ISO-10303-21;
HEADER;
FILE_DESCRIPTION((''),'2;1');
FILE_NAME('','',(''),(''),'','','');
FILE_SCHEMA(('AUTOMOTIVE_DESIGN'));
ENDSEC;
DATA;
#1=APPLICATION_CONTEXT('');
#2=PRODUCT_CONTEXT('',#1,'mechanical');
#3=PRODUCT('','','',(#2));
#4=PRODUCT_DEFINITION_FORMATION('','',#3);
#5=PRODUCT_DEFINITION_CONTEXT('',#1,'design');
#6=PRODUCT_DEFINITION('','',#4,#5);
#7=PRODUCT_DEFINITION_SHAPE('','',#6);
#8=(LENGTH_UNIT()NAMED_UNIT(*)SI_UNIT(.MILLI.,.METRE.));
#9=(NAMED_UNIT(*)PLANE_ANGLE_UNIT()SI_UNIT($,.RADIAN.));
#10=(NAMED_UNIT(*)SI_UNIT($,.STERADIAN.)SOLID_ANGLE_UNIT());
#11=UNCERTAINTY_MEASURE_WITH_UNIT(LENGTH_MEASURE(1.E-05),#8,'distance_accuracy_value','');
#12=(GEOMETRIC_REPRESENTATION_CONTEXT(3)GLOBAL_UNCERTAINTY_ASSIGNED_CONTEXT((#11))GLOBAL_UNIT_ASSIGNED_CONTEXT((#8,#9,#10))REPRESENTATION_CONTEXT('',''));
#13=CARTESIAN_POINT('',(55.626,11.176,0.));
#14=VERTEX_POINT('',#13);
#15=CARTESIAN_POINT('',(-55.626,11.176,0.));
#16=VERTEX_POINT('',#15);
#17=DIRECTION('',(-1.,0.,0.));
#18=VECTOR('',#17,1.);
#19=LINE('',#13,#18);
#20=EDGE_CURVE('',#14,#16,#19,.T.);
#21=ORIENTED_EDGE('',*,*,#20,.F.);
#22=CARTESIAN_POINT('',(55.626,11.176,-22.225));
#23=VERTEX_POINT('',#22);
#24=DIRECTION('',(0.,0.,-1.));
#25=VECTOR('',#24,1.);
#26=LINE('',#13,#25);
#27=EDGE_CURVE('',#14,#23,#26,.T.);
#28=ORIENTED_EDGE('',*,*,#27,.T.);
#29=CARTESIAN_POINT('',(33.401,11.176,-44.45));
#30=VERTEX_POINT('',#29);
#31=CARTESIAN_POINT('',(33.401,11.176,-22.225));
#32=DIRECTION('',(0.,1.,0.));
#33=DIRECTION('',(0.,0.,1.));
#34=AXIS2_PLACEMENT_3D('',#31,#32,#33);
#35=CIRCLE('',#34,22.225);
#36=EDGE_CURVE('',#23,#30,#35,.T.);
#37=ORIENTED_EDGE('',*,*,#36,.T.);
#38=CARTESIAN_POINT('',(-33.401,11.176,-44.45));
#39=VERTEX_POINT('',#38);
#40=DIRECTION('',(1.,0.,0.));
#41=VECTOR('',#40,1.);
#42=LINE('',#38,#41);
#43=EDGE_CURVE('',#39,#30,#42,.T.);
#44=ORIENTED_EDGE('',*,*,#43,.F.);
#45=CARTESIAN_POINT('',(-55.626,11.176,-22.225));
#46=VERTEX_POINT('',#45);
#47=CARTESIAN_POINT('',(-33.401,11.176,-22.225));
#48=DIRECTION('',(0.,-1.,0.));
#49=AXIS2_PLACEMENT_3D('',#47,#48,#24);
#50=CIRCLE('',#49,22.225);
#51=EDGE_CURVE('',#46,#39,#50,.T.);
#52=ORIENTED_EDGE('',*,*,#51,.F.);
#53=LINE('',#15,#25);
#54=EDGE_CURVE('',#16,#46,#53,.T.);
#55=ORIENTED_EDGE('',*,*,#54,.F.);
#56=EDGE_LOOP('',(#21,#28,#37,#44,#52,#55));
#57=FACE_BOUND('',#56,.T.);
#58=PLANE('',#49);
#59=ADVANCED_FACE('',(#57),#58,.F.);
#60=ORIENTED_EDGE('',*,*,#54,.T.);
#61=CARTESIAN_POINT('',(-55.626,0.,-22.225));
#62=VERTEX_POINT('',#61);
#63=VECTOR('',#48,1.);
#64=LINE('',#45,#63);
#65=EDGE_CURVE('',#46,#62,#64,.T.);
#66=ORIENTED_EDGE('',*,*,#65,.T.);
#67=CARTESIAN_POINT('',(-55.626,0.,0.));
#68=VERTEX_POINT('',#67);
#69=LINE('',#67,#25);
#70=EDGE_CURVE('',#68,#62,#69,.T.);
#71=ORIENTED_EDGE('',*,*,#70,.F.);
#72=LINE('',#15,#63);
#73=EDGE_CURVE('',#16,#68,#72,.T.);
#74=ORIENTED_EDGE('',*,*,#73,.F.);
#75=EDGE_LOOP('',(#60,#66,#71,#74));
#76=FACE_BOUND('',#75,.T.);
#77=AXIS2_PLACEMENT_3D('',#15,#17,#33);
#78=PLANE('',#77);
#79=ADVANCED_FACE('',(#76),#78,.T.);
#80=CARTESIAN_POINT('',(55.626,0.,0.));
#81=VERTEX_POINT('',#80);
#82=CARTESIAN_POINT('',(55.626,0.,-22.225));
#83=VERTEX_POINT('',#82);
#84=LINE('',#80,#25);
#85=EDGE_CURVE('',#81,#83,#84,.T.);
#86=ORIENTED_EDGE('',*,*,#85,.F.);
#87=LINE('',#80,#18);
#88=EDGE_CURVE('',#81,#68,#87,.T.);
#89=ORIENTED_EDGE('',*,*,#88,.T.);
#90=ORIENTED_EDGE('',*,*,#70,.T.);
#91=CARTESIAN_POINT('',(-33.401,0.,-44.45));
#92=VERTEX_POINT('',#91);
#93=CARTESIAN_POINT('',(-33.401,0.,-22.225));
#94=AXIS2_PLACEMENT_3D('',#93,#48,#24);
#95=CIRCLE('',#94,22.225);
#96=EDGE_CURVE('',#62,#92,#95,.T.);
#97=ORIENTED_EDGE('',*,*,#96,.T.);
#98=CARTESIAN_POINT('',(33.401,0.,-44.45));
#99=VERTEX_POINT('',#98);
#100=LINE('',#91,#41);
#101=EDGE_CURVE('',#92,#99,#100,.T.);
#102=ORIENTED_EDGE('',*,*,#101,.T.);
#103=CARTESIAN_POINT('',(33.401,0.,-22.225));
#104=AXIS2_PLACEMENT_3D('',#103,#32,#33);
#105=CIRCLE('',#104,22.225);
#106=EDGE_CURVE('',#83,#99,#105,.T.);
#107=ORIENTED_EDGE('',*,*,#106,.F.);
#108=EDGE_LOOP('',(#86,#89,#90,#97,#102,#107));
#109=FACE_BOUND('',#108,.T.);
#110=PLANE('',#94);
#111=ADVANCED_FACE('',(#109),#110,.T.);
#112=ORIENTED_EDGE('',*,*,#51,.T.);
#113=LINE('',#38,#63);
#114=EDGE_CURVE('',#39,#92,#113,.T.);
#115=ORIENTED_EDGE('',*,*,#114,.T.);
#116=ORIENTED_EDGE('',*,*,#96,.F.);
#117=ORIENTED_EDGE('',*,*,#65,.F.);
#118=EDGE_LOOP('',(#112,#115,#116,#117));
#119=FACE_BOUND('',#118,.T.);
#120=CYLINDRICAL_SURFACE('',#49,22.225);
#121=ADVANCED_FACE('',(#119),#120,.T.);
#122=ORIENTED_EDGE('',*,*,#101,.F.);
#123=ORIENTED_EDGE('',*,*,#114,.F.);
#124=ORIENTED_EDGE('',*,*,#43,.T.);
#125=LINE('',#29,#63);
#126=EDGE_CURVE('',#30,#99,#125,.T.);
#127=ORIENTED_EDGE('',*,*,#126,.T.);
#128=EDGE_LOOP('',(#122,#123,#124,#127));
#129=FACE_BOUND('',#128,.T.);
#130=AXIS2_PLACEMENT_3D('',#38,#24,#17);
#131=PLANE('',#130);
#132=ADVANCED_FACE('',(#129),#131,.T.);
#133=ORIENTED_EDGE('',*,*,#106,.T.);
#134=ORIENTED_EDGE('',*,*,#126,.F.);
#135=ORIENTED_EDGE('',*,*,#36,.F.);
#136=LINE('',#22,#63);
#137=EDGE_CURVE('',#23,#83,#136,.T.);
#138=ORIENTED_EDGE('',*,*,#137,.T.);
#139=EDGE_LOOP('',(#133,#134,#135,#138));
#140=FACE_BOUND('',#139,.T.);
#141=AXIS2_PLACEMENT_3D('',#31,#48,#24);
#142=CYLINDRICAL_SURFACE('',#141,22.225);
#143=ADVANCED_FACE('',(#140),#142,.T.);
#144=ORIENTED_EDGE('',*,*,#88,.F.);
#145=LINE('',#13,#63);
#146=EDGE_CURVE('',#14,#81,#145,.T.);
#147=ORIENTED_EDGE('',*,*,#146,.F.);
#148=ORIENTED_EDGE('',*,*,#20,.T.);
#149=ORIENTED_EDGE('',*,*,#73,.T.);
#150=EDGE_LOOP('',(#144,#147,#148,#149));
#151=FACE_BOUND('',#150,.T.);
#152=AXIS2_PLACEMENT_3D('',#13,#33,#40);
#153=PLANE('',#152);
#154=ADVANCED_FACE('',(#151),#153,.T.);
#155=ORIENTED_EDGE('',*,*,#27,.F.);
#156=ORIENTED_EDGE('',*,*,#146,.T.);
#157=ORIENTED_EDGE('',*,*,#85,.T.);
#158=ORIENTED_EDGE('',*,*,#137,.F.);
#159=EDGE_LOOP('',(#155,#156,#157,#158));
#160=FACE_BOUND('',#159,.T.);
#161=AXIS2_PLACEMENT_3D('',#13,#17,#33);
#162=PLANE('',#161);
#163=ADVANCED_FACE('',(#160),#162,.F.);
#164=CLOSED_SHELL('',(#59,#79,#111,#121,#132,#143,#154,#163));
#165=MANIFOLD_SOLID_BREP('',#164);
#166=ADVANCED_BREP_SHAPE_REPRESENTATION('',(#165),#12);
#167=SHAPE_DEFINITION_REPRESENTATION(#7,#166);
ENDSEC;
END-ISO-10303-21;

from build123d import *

# Parameters (mm, degrees)
BOSS_EXTRUDE1_DEPTH = 11.176


with BuildPart() as part:
    # Sketch2 → Boss-Extrude1 (new body)
    with BuildSketch(Plane(origin=(0, 0, 0), x_dir=(1, 0, 0), z_dir=(0, 1, 0))):
        with BuildLine():
            Line((55.626, 0), (-55.626, 0))
            Line((-55.626, 0), (-55.626, 22.225))
            ThreePointArc((-55.626, 22.225), (-49.116448212, 37.940448212), (-33.401, 44.45))
            Line((-33.401, 44.45), (33.401, 44.45))
            ThreePointArc((33.401, 44.45), (49.116448212, 37.940448212), (55.626, 22.225))
            Line((55.626, 22.225), (55.626, 0))
        make_face()
    extrude(amount=BOSS_EXTRUDE1_DEPTH)


solid = part.part
